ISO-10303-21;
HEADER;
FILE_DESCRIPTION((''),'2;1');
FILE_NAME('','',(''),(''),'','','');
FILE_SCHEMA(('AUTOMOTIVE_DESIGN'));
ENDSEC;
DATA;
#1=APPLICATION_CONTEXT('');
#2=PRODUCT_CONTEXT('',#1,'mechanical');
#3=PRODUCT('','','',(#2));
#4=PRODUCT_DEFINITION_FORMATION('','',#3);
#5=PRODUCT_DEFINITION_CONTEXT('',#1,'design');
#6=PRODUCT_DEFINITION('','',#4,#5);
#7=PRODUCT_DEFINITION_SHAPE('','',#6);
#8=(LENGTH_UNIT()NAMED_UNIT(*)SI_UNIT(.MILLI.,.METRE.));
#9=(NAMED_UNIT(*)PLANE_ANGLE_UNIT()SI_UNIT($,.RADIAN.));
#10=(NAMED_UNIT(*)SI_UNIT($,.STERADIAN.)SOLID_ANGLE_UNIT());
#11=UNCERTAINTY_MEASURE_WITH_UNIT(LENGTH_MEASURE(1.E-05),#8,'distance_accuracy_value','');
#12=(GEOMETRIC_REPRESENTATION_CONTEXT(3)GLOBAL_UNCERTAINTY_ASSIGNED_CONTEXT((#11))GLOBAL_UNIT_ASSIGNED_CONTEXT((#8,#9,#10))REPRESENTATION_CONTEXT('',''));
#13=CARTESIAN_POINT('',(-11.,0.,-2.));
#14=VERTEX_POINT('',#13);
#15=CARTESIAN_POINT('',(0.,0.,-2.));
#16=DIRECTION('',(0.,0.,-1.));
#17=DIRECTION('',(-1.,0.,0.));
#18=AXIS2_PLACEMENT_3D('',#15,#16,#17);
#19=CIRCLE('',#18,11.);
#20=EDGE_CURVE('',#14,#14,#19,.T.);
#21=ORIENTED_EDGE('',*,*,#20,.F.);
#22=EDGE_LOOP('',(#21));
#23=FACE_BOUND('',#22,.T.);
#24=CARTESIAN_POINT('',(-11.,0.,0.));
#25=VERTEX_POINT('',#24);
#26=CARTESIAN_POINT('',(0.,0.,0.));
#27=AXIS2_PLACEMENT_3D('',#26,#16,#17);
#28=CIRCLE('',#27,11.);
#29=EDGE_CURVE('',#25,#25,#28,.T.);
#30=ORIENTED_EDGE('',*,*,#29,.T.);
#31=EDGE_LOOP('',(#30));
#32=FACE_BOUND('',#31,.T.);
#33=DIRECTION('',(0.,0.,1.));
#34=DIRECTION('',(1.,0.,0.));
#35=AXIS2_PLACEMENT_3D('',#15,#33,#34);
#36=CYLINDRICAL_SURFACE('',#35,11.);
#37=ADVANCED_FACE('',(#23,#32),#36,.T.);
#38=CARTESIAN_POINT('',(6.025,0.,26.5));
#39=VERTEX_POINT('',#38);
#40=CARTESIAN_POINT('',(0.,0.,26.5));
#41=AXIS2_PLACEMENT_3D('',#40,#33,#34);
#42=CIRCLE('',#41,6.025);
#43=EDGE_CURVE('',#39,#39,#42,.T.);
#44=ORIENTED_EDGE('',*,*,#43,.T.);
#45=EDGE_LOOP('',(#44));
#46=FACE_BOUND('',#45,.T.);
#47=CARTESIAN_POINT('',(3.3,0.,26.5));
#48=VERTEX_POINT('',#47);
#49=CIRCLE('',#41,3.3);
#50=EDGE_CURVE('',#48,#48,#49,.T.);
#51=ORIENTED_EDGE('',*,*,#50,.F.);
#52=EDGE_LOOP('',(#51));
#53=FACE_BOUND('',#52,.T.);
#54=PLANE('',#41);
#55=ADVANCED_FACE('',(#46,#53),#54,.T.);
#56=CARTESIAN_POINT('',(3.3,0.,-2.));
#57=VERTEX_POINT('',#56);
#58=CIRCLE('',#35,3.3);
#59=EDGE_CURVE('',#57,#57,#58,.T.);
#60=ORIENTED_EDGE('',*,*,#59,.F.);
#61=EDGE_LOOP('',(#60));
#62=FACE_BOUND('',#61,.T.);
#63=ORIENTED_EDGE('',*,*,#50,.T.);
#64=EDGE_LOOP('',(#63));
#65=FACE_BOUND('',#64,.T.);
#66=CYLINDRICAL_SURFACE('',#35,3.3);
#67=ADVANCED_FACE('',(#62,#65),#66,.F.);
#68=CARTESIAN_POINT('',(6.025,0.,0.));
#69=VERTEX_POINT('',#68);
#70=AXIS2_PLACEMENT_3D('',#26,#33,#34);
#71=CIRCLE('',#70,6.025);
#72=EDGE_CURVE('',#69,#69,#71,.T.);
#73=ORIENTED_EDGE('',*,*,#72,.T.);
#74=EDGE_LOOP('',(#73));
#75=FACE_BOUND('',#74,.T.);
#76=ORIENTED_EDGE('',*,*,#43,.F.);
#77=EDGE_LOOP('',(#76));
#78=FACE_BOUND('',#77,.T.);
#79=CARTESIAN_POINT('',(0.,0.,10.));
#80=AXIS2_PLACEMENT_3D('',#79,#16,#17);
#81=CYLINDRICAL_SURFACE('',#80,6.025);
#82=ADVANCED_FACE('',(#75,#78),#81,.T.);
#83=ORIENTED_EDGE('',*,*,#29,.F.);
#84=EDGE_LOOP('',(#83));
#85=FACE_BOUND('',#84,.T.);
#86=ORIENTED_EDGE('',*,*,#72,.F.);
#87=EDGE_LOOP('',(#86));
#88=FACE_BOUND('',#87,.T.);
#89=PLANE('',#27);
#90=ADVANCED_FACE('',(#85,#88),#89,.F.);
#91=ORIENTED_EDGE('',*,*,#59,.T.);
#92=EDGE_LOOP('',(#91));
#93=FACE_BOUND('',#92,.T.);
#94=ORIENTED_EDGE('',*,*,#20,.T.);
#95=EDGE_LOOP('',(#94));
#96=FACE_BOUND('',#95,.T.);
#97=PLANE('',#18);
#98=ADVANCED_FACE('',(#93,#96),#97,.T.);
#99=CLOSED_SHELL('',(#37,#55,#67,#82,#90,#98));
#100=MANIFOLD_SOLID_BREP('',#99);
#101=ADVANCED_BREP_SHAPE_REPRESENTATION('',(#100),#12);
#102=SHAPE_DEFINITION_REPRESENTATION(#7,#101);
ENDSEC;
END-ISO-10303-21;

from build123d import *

# Parameters (mm, degrees)
SKETCH1_R           = 6.025
BOSS_EXTRUDE1_DEPTH = 10
SKETCH3_R           = 6.025
BOSS_EXTRUDE2_DEPTH = 16.5
SKETCH5_R           = 11
BOSS_EXTRUDE3_DEPTH = 2
SKETCH6_R           = 3.3
CUT_EXTRUDE3_DEPTH  = 29.5


with BuildPart() as part:
    # Sketch1 → Boss-Extrude1 (new body)
    with BuildSketch(Plane.XY):
        Circle(SKETCH1_R)
    extrude(amount=BOSS_EXTRUDE1_DEPTH)

    # Sketch3 → Boss-Extrude2 (add)
    with BuildSketch(Plane.XY.offset(10)):
        Circle(SKETCH3_R)
    extrude(amount=BOSS_EXTRUDE2_DEPTH)

    # Sketch5 → Boss-Extrude3 (add)
    with BuildSketch(Plane(origin=(0, 0, 0), x_dir=(-1, 0, 0), z_dir=(0, 0, -1))):
        Circle(SKETCH5_R)
    extrude(amount=BOSS_EXTRUDE3_DEPTH)

    # Sketch6 → Cut-Extrude3 (cut, through all)
    with BuildSketch(Plane.XY.offset(26.5)):
        Circle(SKETCH6_R)
    extrude(amount=-CUT_EXTRUDE3_DEPTH, mode=Mode.SUBTRACT)


solid = part.part
